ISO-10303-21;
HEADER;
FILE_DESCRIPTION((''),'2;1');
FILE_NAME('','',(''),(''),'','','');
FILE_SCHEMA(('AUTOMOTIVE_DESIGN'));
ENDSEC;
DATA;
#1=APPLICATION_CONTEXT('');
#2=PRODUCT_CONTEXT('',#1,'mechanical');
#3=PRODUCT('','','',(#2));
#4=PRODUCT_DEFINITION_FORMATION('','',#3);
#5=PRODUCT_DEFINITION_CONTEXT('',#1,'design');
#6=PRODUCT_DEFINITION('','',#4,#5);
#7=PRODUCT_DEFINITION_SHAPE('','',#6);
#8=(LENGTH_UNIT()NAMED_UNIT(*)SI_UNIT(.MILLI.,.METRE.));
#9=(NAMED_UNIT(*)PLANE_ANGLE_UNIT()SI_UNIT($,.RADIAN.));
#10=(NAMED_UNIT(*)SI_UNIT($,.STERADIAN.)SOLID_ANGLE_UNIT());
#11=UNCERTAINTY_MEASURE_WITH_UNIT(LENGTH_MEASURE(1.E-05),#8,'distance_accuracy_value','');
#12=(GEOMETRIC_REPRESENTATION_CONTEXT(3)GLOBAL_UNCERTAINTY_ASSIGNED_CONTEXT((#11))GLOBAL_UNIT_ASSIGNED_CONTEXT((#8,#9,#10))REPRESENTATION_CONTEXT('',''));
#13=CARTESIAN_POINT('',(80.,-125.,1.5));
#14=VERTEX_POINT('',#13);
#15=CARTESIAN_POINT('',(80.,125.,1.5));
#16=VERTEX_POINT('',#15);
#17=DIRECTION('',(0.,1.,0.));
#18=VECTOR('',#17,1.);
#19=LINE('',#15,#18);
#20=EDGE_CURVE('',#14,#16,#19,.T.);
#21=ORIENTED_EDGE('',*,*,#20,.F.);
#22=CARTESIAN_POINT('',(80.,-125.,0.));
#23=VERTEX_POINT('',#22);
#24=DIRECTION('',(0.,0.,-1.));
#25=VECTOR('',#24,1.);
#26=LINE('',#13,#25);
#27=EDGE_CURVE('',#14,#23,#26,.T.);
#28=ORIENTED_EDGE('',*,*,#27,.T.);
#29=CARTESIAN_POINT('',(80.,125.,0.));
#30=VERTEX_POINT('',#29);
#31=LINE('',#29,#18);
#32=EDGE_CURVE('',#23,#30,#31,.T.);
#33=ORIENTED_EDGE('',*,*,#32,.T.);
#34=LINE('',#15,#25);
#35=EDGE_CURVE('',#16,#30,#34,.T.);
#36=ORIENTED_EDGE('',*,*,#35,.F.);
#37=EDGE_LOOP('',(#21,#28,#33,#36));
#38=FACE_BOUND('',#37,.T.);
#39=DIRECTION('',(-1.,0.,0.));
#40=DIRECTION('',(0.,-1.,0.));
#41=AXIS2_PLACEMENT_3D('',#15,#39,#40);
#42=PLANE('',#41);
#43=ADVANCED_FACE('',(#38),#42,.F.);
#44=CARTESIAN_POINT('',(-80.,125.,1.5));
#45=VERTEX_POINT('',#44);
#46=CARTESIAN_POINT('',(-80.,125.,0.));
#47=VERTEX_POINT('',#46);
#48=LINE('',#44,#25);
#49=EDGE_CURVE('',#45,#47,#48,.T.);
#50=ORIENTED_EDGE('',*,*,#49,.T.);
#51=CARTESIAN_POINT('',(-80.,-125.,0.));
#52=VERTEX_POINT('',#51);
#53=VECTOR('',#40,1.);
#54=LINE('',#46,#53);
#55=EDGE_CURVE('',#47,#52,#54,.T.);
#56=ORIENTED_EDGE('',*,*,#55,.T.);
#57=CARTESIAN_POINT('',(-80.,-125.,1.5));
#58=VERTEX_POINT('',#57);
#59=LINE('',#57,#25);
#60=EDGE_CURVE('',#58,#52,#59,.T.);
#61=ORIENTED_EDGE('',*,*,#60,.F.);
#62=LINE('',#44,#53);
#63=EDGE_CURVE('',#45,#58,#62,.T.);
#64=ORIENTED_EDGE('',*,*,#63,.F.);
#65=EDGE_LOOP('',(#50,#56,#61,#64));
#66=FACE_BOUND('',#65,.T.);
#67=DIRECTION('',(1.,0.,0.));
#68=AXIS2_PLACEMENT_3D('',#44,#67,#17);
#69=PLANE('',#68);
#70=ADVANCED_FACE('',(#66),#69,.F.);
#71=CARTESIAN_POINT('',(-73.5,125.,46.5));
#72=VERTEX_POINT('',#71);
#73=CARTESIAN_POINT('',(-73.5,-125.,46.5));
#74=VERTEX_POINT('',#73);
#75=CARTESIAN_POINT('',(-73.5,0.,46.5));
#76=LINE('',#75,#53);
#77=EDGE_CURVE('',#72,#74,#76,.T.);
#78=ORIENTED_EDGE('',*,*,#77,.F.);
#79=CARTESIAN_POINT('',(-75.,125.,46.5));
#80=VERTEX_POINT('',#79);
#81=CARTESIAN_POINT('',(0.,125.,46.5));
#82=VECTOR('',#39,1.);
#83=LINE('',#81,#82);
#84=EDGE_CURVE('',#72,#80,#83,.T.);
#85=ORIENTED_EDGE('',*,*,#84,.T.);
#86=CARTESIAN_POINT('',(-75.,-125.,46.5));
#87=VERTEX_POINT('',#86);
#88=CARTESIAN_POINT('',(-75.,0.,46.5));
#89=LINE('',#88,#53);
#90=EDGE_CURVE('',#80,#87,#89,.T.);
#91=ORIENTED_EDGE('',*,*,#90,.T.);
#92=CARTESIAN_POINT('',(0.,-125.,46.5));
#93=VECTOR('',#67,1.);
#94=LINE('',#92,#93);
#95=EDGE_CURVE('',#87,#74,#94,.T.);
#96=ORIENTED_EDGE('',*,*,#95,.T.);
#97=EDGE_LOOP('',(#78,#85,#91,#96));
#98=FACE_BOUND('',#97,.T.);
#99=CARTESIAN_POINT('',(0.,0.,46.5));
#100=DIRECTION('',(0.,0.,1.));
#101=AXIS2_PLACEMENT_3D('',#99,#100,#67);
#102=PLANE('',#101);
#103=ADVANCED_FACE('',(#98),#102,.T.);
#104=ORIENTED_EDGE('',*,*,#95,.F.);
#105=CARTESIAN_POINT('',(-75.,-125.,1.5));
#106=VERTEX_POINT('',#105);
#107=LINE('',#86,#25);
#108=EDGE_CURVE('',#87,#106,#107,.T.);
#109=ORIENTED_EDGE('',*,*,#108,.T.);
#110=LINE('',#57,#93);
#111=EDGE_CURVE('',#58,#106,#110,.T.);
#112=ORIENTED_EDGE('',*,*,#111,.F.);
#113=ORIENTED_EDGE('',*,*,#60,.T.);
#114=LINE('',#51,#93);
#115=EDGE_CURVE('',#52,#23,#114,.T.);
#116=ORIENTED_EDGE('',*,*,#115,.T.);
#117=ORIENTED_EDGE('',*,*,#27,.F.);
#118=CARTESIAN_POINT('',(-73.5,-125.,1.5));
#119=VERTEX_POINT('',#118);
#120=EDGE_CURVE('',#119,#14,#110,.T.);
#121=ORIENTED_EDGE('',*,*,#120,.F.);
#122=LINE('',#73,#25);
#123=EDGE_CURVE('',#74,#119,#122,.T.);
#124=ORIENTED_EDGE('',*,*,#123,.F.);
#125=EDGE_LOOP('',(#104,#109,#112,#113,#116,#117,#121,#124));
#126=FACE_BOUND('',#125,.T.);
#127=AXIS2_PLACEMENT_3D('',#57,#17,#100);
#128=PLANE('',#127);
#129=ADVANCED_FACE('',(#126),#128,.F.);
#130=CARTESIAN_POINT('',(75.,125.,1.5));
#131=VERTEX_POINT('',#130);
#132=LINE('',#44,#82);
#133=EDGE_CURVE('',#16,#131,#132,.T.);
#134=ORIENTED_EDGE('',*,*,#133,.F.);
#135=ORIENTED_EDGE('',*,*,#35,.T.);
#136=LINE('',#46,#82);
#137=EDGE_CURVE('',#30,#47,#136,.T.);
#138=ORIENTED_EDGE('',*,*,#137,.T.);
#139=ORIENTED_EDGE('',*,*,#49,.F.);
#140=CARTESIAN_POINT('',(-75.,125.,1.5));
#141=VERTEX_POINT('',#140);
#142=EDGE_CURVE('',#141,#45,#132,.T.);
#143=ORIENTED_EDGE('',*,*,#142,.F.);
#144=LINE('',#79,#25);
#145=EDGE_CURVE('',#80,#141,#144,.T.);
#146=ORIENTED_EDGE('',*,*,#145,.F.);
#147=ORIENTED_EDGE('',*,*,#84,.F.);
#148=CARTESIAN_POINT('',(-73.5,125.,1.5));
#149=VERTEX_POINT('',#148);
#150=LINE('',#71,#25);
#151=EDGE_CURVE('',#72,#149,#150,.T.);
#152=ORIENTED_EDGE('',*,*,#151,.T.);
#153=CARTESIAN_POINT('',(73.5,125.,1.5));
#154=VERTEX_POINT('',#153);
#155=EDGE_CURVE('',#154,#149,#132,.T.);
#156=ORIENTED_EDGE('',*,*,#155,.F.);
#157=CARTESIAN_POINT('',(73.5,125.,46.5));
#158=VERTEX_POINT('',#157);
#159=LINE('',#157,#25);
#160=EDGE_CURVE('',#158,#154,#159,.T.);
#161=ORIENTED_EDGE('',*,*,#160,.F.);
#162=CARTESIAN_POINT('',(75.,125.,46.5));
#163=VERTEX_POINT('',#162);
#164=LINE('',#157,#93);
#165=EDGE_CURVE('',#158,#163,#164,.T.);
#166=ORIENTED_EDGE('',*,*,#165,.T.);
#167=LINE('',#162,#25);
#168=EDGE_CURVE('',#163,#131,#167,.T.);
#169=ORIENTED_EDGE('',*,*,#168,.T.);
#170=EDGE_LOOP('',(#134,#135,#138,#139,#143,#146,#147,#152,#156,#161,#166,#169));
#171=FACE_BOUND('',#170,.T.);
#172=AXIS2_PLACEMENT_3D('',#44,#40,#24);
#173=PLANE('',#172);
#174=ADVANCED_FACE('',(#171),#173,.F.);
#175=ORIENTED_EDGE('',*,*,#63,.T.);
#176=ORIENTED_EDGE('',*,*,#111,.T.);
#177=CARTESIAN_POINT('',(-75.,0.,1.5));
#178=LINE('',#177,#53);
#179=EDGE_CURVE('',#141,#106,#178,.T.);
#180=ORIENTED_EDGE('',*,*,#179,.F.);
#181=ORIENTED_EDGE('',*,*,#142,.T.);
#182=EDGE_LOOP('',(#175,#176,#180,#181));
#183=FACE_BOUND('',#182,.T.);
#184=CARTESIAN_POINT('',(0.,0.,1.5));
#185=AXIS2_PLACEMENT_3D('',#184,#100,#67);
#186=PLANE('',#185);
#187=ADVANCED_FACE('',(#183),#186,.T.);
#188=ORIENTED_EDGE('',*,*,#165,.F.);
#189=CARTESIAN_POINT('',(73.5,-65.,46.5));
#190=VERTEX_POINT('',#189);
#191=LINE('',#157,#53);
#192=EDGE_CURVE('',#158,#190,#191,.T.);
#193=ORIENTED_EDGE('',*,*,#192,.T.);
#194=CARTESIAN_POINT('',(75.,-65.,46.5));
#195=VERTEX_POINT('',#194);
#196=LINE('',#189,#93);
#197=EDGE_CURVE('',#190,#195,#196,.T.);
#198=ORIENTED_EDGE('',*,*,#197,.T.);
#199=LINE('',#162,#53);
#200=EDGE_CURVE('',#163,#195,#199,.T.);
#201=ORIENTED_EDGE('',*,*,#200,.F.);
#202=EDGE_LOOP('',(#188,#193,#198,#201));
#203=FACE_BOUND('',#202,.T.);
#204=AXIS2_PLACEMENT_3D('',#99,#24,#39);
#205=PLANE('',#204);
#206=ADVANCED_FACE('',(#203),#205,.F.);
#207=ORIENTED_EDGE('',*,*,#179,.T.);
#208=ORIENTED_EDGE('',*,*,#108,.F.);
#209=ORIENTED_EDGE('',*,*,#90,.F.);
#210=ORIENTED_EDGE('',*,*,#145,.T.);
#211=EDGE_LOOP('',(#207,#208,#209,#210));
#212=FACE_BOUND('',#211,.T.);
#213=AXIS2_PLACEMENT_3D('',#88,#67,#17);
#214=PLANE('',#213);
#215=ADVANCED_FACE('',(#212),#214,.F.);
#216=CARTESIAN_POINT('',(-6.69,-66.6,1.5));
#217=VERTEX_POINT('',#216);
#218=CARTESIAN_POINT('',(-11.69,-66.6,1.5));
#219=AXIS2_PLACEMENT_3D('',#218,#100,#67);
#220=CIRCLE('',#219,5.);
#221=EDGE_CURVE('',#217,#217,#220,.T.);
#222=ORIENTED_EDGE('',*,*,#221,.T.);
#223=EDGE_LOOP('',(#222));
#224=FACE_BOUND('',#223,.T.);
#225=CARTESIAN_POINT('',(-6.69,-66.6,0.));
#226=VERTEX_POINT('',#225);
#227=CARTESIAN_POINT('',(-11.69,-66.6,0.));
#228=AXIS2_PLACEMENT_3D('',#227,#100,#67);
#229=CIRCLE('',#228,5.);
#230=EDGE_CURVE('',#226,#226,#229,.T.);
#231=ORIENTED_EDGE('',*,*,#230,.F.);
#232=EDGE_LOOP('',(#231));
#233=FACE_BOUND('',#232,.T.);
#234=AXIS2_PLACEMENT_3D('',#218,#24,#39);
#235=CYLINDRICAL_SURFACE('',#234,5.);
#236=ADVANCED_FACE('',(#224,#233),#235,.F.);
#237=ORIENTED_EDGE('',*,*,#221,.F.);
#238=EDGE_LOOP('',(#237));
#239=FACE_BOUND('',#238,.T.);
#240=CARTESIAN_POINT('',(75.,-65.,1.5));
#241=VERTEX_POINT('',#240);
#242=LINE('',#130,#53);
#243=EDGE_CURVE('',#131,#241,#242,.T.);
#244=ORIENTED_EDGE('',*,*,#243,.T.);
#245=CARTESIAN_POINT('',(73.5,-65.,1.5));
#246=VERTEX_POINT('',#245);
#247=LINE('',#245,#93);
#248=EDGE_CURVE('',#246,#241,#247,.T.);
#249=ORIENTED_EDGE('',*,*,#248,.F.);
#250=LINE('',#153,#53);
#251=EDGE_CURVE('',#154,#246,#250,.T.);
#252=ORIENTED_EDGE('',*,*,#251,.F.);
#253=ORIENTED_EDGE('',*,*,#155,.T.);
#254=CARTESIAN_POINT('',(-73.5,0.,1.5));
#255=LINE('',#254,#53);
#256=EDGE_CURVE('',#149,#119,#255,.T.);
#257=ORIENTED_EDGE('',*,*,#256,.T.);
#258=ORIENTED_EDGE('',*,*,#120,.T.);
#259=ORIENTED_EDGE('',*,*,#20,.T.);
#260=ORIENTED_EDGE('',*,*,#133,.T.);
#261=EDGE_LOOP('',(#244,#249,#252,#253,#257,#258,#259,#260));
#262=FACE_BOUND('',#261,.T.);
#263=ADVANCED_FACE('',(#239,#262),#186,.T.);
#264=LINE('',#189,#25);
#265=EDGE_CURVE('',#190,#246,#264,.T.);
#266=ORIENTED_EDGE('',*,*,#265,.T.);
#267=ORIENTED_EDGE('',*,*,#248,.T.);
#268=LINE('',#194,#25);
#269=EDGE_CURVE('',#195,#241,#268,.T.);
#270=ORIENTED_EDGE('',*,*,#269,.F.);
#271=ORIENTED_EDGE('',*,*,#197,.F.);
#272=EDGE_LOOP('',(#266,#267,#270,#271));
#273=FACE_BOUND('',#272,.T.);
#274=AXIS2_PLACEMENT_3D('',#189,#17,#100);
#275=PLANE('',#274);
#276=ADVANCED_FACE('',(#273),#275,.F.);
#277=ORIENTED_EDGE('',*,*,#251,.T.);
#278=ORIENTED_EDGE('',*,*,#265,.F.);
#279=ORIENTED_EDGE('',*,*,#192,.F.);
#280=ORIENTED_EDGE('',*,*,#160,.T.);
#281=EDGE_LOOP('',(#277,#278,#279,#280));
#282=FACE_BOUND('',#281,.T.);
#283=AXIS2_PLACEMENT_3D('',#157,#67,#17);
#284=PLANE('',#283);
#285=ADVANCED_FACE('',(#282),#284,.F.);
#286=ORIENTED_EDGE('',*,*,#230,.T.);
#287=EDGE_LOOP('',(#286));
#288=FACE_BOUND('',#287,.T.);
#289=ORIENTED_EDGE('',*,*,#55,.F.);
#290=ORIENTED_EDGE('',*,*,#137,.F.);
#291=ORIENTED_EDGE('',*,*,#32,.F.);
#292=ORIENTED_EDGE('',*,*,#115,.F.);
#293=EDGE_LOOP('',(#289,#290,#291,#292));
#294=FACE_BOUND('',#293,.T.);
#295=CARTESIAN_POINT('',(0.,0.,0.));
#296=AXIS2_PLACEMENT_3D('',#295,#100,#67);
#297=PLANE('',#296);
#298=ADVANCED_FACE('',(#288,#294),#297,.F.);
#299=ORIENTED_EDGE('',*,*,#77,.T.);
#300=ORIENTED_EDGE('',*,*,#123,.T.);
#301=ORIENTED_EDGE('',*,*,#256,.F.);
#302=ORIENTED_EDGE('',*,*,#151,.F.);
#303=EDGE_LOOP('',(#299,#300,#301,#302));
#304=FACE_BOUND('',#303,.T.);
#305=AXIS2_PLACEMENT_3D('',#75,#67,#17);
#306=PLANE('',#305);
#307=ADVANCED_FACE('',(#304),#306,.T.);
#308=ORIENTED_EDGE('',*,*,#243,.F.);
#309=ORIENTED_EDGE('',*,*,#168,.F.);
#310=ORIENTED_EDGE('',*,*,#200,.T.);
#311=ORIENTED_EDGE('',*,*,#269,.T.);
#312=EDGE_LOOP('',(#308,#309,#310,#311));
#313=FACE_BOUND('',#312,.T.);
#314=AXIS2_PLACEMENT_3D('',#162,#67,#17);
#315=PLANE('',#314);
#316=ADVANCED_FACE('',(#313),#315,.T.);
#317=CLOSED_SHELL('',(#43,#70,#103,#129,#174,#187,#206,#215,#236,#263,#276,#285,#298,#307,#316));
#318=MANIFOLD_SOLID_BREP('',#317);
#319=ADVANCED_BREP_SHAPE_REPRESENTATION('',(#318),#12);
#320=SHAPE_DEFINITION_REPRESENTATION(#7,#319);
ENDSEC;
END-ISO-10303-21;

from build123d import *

# Parameters (mm, degrees)
SKETCH3_W           = 160
SKETCH3_H           = 250
BOSS_EXTRUDE2_DEPTH = 1.5
SKETCH4_R           = 5
CUT_EXTRUDE4_DEPTH  = 149.415801046
SKETCH6_W           = 1.5
SKETCH6_H           = 190
BOSS_EXTRUDE4_DEPTH = 45


with BuildPart() as part:
    # Sketch3 → Boss-Extrude2 (new body)
    with BuildSketch(Plane.XY):
        Rectangle(SKETCH3_W, SKETCH3_H)
    extrude(amount=BOSS_EXTRUDE2_DEPTH)

    # Sketch4 → Cut-Extrude4 (cut, through all)
    with BuildSketch(Plane.XY):
        with Locations((-11.69, -66.6)):
            Circle(SKETCH4_R)
    extrude(amount=CUT_EXTRUDE4_DEPTH, mode=Mode.SUBTRACT)

    # Sketch6 → Boss-Extrude4 (add)
    with BuildSketch(Plane.XY.offset(1.5)):
        Polygon((-73.5, 13.5), (-73.5, 125), (-75, 125), (-75, -125), (-73.5, -125), align=None)
        with Locations((74.25, 30)):
            Rectangle(SKETCH6_W, SKETCH6_H)
    extrude(amount=BOSS_EXTRUDE4_DEPTH)


solid = part.part
